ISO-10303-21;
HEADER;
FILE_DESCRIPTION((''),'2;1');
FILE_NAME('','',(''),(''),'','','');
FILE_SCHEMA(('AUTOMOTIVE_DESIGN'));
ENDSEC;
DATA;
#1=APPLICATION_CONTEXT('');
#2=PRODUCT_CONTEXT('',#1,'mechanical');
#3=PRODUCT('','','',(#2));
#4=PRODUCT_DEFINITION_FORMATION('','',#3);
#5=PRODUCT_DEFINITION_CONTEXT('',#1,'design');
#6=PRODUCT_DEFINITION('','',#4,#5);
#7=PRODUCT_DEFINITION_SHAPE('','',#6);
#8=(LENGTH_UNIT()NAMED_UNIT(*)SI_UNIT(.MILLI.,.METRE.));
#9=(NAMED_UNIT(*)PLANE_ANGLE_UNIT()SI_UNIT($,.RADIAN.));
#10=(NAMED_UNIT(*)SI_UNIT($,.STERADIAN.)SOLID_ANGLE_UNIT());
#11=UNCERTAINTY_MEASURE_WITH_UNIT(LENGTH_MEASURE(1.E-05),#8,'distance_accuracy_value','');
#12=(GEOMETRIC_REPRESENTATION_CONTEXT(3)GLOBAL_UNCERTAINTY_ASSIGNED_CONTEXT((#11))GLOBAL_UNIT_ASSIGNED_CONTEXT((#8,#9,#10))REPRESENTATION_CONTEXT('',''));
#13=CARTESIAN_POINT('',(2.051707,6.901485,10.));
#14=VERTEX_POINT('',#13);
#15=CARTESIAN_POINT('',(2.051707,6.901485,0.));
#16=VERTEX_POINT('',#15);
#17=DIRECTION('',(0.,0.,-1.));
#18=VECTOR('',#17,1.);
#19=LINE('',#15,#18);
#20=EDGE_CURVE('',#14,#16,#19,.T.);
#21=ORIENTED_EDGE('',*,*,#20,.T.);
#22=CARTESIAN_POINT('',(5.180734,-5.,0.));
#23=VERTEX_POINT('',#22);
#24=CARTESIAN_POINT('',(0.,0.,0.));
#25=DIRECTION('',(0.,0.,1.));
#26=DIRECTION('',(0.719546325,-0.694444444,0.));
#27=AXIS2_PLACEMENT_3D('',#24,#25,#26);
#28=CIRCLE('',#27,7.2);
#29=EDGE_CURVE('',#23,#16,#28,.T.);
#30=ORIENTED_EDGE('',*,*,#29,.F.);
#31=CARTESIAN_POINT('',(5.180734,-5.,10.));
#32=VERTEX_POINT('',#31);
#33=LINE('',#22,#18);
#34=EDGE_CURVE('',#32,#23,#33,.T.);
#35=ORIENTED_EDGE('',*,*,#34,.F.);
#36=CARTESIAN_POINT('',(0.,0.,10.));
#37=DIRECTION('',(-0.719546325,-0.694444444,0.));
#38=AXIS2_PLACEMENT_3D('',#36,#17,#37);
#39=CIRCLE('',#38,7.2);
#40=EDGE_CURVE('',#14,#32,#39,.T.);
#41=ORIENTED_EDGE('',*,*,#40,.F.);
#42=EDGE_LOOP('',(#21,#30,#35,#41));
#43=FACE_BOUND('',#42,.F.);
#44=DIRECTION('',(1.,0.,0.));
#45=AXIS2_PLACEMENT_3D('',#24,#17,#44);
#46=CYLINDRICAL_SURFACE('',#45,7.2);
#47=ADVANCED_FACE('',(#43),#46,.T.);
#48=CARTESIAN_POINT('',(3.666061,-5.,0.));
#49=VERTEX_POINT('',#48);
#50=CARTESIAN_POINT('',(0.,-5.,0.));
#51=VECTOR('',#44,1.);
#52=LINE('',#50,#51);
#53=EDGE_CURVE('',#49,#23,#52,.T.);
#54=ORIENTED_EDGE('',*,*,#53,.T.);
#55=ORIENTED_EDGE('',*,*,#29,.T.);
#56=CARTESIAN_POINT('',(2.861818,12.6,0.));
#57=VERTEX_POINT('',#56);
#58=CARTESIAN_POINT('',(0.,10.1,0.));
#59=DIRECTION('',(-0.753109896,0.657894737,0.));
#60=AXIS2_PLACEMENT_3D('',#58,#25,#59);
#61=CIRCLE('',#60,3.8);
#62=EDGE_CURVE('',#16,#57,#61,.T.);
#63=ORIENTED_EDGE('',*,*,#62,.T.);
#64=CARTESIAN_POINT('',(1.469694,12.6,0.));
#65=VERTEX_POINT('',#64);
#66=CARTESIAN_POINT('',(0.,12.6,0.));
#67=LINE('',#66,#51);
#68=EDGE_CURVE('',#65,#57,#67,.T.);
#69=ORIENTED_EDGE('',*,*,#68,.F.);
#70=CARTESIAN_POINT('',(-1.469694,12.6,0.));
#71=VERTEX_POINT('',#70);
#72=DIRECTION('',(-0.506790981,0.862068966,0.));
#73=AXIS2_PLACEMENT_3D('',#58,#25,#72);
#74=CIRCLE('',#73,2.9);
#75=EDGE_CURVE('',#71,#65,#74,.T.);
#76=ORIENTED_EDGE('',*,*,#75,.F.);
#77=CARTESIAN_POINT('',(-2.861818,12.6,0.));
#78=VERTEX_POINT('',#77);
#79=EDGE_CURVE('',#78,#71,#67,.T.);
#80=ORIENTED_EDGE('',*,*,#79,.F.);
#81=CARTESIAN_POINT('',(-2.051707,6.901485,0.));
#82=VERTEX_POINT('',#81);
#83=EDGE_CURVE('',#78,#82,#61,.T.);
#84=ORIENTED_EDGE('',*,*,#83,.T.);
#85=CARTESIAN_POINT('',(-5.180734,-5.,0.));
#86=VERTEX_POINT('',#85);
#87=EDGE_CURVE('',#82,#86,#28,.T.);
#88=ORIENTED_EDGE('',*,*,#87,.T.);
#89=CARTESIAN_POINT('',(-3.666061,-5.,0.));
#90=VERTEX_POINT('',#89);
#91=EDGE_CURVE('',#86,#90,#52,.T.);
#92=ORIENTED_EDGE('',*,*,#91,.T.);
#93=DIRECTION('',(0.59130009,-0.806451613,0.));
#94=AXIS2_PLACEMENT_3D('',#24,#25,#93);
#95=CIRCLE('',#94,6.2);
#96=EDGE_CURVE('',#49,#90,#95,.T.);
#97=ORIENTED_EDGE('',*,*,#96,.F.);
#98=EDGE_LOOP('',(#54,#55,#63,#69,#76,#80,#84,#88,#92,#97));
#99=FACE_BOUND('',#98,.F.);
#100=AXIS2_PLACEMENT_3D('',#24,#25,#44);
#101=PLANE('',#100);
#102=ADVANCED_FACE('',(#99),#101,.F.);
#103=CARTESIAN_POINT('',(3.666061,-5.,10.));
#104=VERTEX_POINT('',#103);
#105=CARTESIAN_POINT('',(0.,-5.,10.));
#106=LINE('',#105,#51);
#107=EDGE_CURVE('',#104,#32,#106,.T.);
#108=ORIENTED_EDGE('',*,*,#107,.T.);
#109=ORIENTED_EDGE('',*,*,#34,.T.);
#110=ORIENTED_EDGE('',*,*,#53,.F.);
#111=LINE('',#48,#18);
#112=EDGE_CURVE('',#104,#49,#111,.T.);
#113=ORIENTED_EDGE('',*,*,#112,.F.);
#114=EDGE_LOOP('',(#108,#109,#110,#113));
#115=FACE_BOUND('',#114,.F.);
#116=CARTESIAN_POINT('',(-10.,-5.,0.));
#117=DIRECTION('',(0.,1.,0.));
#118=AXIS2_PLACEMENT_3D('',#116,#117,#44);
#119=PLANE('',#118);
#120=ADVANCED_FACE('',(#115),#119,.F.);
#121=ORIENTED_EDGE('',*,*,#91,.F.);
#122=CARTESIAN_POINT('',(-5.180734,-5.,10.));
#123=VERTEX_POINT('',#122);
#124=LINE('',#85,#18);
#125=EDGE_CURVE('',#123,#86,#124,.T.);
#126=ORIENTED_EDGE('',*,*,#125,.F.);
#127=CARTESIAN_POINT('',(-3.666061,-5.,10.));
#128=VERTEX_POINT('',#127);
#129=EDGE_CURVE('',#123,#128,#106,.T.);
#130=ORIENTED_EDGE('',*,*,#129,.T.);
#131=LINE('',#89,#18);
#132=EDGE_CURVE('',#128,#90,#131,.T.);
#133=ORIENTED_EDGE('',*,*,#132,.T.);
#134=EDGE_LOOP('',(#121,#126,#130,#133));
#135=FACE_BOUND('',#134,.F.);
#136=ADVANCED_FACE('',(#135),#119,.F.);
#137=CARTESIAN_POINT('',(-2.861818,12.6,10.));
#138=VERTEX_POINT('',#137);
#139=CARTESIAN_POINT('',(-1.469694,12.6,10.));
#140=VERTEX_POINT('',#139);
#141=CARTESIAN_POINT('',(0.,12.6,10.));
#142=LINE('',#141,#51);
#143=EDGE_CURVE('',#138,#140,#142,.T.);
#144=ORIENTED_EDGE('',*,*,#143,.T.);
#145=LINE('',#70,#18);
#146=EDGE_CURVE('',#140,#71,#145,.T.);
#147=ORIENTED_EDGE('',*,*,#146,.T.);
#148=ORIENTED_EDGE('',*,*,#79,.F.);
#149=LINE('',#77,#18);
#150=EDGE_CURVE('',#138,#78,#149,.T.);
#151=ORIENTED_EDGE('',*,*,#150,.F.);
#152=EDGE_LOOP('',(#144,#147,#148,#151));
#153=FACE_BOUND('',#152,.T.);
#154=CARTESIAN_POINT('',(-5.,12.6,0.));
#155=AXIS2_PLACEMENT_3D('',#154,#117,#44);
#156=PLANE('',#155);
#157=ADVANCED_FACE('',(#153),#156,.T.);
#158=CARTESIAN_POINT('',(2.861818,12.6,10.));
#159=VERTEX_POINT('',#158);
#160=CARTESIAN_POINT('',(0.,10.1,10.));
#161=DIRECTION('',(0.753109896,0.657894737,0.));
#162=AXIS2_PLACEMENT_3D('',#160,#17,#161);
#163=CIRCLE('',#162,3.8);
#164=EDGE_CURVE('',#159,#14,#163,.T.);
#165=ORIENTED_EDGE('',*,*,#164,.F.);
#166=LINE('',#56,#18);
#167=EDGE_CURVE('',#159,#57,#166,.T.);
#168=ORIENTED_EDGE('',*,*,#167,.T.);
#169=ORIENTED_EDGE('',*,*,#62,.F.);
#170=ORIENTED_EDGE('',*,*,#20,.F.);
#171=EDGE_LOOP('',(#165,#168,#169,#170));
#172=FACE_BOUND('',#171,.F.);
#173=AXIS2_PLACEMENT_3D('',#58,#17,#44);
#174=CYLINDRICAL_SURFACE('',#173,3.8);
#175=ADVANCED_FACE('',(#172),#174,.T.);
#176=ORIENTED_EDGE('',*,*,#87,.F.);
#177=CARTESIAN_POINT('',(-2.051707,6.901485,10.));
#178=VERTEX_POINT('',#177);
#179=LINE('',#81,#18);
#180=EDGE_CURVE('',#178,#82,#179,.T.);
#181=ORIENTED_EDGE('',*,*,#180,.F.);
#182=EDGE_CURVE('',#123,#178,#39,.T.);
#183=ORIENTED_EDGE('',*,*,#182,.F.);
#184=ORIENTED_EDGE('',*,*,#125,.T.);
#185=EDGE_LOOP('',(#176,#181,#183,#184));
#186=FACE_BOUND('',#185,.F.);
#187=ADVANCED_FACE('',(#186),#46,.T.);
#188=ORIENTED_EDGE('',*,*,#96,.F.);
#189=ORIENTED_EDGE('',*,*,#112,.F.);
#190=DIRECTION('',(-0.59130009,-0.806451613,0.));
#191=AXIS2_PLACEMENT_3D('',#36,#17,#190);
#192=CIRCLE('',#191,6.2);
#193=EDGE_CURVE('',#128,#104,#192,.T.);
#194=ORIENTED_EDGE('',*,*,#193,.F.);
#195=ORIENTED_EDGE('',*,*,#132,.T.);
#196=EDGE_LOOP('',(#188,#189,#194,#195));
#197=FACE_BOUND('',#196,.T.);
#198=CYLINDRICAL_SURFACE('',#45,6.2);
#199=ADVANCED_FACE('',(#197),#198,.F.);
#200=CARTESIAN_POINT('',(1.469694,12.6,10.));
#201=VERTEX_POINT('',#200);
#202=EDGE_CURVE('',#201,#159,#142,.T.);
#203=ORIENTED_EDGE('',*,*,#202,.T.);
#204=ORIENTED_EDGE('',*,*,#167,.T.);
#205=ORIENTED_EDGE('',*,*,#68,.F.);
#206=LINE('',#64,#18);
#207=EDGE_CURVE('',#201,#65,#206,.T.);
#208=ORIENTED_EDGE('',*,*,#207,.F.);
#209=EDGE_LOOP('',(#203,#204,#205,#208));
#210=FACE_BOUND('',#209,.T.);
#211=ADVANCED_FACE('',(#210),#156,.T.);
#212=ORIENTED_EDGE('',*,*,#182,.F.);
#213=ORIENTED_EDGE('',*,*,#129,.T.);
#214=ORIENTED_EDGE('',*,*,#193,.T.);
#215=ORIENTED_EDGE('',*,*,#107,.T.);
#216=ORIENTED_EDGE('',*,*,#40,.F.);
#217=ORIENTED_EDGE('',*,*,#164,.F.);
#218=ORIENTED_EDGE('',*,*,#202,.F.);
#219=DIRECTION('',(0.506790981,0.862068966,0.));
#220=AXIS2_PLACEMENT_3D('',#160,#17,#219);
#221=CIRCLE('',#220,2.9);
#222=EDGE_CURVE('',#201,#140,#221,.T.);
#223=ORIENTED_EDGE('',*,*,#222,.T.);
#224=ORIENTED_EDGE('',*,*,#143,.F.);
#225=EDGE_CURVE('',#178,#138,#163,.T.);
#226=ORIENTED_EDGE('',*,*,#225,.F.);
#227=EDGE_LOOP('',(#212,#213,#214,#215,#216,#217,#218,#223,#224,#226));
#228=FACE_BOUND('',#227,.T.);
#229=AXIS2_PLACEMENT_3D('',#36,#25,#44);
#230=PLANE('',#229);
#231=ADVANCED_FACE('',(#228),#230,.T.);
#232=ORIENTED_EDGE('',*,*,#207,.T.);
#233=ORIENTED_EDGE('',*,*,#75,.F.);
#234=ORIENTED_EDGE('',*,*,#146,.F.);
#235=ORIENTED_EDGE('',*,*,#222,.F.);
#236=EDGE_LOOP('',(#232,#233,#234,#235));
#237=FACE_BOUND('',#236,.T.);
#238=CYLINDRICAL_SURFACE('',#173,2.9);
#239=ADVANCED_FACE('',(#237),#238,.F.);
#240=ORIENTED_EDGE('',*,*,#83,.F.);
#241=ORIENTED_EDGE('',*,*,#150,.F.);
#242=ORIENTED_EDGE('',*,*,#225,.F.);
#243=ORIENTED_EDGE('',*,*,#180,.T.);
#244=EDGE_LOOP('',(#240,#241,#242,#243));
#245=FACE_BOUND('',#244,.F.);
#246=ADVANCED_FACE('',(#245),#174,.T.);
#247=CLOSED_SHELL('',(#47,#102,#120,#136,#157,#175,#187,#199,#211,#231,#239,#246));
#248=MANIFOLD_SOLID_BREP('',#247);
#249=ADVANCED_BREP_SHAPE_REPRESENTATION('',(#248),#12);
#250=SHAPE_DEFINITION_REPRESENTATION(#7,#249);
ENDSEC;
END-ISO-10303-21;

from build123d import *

# Parameters (mm, degrees)
BOX001_W      = 20
BOX001_H      = 10
BOX001_DEPTH  = 10
TUBE001_R     = 7.2
TUBE001_R_2   = 6.2
TUBE001_DEPTH = 10
BOX_W         = 10
BOX_H         = 10
BOX_DEPTH     = 10
TUBE_R        = 3.8
TUBE_R_2      = 2.9
TUBE_DEPTH    = 10


with BuildPart() as cube001:
    # Box001 → Box001 (new body)
    with BuildSketch(Plane(origin=(-10, -15, 0), x_dir=(1, 0, 0), z_dir=(0, 0, 1))):
        with Locations((10, 5)):
            Rectangle(BOX001_W, BOX001_H)
    extrude(amount=BOX001_DEPTH)


with BuildPart() as cut001:
    # Tube001 → Tube001 (new body)
    with BuildSketch(Plane.XY):
        Circle(TUBE001_R)
        Circle(TUBE001_R_2, mode=Mode.SUBTRACT)
    extrude(amount=TUBE001_DEPTH)

    # Cut001: cut Cube001
    add(cube001.part, mode=Mode.SUBTRACT)


with BuildPart() as cube:
    # Box → Box (new body)
    with BuildSketch(Plane(origin=(-5, 12.6, 0), x_dir=(1, 0, 0), z_dir=(0, 0, 1))):
        with Locations((5, 5)):
            Rectangle(BOX_W, BOX_H)
    extrude(amount=BOX_DEPTH)


with BuildPart() as fusion:
    # Tube → Tube (new body)
    with BuildSketch(Plane(origin=(0, 10.1, 0), x_dir=(1, 0, 0), z_dir=(0, 0, 1))):
        Circle(TUBE_R)
        Circle(TUBE_R_2, mode=Mode.SUBTRACT)
    extrude(amount=TUBE_DEPTH)

    # Cut: cut Cube
    add(cube.part, mode=Mode.SUBTRACT)

    # Fusion: union Cut001
    add(cut001.part)


solid = fusion.part
